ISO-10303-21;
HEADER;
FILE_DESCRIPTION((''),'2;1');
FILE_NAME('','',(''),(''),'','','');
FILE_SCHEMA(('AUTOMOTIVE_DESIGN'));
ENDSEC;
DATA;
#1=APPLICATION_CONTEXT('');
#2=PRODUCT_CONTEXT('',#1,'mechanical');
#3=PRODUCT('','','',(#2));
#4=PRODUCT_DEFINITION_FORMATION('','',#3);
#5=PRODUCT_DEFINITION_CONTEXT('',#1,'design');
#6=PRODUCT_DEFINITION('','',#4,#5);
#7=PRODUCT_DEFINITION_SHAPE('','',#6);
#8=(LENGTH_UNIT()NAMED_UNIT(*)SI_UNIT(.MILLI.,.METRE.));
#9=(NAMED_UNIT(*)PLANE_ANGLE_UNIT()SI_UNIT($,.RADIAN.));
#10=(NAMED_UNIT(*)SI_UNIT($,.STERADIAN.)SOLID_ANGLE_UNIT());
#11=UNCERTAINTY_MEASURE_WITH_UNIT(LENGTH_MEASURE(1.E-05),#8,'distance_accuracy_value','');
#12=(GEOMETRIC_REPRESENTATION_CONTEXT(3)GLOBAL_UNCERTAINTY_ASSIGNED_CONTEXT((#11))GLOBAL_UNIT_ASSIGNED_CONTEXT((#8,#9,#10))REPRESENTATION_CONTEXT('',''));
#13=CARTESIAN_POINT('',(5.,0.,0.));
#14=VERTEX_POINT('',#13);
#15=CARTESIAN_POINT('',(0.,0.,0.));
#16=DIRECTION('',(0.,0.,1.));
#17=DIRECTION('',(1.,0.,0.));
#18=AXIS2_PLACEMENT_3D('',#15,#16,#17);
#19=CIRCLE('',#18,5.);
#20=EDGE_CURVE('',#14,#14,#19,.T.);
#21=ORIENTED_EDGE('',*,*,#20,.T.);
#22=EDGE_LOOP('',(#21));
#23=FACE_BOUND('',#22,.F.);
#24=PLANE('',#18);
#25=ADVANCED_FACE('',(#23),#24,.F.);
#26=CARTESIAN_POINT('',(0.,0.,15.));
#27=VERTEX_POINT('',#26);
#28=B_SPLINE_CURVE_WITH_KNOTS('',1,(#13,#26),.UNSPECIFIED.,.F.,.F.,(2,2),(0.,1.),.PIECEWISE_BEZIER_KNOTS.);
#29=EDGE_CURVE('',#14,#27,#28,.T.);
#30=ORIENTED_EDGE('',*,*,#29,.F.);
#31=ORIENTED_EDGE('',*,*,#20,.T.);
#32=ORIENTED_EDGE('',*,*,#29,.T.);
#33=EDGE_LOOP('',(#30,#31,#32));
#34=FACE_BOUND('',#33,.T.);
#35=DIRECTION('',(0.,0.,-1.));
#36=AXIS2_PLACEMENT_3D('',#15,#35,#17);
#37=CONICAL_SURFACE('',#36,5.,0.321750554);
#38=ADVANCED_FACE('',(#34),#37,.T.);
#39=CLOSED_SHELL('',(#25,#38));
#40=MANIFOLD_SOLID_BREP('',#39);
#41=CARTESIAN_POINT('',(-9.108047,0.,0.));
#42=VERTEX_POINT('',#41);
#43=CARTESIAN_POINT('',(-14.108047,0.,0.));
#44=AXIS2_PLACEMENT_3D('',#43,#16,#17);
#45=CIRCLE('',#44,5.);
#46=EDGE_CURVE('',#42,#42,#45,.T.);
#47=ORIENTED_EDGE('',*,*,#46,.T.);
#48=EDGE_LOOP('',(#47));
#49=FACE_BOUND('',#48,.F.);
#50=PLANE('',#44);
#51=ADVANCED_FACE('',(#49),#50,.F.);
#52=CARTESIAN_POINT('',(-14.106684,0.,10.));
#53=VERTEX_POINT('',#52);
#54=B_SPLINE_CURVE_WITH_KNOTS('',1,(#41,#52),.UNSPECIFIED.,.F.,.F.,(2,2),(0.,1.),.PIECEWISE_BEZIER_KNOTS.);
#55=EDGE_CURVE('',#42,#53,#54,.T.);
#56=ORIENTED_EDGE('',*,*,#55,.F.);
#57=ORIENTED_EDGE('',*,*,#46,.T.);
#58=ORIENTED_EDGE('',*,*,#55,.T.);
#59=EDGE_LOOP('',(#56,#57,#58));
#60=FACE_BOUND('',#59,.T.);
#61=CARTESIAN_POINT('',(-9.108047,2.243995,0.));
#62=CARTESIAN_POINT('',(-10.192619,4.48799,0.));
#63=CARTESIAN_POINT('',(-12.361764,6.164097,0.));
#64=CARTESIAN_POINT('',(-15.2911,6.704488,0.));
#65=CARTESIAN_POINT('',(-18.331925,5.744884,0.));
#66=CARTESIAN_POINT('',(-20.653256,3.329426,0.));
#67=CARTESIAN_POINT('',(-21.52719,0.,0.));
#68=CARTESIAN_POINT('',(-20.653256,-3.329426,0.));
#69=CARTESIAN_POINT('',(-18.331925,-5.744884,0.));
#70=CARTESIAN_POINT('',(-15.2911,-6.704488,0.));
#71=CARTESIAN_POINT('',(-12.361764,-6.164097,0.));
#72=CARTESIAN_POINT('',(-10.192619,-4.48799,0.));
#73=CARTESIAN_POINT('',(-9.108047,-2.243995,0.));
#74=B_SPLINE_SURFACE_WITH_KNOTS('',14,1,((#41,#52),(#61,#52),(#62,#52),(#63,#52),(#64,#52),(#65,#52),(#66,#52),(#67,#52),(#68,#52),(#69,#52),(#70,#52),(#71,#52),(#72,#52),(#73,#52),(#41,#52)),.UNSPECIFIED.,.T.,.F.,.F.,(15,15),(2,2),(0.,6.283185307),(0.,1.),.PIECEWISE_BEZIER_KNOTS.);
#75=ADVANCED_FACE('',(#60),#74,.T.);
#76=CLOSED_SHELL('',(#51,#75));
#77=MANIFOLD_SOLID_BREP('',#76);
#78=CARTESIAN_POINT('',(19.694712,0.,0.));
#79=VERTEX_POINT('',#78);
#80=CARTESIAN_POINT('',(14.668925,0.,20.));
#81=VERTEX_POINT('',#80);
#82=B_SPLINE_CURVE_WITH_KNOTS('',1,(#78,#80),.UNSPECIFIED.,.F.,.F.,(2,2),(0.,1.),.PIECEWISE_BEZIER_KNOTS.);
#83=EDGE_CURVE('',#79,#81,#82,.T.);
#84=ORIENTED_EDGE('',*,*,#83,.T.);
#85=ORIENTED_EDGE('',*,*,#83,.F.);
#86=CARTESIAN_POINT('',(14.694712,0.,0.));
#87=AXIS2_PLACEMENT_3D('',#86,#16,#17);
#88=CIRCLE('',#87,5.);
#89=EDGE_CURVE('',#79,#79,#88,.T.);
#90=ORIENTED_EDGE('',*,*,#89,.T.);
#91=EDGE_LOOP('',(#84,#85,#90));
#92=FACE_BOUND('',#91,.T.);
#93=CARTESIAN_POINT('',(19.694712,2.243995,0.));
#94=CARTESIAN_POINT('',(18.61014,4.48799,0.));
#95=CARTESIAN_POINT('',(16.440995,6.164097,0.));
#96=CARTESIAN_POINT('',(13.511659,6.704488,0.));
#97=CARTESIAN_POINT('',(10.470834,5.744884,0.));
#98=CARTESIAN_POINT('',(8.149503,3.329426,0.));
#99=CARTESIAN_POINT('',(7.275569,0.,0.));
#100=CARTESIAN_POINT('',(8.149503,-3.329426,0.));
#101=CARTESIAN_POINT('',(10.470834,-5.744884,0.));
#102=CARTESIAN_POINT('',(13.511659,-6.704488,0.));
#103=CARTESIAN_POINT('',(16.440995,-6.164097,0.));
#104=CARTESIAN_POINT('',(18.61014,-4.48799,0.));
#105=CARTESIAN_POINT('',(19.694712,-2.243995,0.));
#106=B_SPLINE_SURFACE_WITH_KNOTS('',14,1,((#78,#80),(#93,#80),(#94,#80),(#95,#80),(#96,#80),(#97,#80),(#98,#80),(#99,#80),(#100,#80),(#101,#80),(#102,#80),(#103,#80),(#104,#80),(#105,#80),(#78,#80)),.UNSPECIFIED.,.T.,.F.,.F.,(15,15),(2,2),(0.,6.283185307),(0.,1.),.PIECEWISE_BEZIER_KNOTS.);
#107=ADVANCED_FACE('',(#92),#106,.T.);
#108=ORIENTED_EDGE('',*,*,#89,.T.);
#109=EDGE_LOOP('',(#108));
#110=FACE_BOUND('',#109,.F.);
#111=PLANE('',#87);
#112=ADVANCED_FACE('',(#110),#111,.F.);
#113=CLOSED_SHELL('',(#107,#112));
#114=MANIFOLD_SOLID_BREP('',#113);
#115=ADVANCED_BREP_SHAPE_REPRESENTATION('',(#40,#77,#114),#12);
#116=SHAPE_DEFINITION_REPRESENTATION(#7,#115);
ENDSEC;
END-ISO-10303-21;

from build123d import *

# Parameters (mm, degrees)
F0_R = 5


with BuildPart() as f3:
    # F0 (on Top) → F3 section 0
    with BuildSketch(Plane.XY, mode=Mode.PRIVATE) as f3_s0:
        Circle(F0_R)
    loft([f3_s0.sketch, Vertex(0, 0, 15)])


with BuildPart() as f6:
    # F0 (on Top) → F6 section 0
    with BuildSketch(Plane.XY, mode=Mode.PRIVATE) as f6_s0:
        with Locations((14.694712, 0)):
            Circle(F0_R)
    loft([f6_s0.sketch, Vertex(14.668925, 0, 20)])


with BuildPart() as f9:
    # F0 (on Top) → F9 section 0
    with BuildSketch(Plane.XY, mode=Mode.PRIVATE) as f9_s0:
        with Locations((-14.108047, 0)):
            Circle(F0_R)
    loft([f9_s0.sketch, Vertex(-14.106684, 0, 10)])


solid = Compound([f3.part, f6.part, f9.part])
